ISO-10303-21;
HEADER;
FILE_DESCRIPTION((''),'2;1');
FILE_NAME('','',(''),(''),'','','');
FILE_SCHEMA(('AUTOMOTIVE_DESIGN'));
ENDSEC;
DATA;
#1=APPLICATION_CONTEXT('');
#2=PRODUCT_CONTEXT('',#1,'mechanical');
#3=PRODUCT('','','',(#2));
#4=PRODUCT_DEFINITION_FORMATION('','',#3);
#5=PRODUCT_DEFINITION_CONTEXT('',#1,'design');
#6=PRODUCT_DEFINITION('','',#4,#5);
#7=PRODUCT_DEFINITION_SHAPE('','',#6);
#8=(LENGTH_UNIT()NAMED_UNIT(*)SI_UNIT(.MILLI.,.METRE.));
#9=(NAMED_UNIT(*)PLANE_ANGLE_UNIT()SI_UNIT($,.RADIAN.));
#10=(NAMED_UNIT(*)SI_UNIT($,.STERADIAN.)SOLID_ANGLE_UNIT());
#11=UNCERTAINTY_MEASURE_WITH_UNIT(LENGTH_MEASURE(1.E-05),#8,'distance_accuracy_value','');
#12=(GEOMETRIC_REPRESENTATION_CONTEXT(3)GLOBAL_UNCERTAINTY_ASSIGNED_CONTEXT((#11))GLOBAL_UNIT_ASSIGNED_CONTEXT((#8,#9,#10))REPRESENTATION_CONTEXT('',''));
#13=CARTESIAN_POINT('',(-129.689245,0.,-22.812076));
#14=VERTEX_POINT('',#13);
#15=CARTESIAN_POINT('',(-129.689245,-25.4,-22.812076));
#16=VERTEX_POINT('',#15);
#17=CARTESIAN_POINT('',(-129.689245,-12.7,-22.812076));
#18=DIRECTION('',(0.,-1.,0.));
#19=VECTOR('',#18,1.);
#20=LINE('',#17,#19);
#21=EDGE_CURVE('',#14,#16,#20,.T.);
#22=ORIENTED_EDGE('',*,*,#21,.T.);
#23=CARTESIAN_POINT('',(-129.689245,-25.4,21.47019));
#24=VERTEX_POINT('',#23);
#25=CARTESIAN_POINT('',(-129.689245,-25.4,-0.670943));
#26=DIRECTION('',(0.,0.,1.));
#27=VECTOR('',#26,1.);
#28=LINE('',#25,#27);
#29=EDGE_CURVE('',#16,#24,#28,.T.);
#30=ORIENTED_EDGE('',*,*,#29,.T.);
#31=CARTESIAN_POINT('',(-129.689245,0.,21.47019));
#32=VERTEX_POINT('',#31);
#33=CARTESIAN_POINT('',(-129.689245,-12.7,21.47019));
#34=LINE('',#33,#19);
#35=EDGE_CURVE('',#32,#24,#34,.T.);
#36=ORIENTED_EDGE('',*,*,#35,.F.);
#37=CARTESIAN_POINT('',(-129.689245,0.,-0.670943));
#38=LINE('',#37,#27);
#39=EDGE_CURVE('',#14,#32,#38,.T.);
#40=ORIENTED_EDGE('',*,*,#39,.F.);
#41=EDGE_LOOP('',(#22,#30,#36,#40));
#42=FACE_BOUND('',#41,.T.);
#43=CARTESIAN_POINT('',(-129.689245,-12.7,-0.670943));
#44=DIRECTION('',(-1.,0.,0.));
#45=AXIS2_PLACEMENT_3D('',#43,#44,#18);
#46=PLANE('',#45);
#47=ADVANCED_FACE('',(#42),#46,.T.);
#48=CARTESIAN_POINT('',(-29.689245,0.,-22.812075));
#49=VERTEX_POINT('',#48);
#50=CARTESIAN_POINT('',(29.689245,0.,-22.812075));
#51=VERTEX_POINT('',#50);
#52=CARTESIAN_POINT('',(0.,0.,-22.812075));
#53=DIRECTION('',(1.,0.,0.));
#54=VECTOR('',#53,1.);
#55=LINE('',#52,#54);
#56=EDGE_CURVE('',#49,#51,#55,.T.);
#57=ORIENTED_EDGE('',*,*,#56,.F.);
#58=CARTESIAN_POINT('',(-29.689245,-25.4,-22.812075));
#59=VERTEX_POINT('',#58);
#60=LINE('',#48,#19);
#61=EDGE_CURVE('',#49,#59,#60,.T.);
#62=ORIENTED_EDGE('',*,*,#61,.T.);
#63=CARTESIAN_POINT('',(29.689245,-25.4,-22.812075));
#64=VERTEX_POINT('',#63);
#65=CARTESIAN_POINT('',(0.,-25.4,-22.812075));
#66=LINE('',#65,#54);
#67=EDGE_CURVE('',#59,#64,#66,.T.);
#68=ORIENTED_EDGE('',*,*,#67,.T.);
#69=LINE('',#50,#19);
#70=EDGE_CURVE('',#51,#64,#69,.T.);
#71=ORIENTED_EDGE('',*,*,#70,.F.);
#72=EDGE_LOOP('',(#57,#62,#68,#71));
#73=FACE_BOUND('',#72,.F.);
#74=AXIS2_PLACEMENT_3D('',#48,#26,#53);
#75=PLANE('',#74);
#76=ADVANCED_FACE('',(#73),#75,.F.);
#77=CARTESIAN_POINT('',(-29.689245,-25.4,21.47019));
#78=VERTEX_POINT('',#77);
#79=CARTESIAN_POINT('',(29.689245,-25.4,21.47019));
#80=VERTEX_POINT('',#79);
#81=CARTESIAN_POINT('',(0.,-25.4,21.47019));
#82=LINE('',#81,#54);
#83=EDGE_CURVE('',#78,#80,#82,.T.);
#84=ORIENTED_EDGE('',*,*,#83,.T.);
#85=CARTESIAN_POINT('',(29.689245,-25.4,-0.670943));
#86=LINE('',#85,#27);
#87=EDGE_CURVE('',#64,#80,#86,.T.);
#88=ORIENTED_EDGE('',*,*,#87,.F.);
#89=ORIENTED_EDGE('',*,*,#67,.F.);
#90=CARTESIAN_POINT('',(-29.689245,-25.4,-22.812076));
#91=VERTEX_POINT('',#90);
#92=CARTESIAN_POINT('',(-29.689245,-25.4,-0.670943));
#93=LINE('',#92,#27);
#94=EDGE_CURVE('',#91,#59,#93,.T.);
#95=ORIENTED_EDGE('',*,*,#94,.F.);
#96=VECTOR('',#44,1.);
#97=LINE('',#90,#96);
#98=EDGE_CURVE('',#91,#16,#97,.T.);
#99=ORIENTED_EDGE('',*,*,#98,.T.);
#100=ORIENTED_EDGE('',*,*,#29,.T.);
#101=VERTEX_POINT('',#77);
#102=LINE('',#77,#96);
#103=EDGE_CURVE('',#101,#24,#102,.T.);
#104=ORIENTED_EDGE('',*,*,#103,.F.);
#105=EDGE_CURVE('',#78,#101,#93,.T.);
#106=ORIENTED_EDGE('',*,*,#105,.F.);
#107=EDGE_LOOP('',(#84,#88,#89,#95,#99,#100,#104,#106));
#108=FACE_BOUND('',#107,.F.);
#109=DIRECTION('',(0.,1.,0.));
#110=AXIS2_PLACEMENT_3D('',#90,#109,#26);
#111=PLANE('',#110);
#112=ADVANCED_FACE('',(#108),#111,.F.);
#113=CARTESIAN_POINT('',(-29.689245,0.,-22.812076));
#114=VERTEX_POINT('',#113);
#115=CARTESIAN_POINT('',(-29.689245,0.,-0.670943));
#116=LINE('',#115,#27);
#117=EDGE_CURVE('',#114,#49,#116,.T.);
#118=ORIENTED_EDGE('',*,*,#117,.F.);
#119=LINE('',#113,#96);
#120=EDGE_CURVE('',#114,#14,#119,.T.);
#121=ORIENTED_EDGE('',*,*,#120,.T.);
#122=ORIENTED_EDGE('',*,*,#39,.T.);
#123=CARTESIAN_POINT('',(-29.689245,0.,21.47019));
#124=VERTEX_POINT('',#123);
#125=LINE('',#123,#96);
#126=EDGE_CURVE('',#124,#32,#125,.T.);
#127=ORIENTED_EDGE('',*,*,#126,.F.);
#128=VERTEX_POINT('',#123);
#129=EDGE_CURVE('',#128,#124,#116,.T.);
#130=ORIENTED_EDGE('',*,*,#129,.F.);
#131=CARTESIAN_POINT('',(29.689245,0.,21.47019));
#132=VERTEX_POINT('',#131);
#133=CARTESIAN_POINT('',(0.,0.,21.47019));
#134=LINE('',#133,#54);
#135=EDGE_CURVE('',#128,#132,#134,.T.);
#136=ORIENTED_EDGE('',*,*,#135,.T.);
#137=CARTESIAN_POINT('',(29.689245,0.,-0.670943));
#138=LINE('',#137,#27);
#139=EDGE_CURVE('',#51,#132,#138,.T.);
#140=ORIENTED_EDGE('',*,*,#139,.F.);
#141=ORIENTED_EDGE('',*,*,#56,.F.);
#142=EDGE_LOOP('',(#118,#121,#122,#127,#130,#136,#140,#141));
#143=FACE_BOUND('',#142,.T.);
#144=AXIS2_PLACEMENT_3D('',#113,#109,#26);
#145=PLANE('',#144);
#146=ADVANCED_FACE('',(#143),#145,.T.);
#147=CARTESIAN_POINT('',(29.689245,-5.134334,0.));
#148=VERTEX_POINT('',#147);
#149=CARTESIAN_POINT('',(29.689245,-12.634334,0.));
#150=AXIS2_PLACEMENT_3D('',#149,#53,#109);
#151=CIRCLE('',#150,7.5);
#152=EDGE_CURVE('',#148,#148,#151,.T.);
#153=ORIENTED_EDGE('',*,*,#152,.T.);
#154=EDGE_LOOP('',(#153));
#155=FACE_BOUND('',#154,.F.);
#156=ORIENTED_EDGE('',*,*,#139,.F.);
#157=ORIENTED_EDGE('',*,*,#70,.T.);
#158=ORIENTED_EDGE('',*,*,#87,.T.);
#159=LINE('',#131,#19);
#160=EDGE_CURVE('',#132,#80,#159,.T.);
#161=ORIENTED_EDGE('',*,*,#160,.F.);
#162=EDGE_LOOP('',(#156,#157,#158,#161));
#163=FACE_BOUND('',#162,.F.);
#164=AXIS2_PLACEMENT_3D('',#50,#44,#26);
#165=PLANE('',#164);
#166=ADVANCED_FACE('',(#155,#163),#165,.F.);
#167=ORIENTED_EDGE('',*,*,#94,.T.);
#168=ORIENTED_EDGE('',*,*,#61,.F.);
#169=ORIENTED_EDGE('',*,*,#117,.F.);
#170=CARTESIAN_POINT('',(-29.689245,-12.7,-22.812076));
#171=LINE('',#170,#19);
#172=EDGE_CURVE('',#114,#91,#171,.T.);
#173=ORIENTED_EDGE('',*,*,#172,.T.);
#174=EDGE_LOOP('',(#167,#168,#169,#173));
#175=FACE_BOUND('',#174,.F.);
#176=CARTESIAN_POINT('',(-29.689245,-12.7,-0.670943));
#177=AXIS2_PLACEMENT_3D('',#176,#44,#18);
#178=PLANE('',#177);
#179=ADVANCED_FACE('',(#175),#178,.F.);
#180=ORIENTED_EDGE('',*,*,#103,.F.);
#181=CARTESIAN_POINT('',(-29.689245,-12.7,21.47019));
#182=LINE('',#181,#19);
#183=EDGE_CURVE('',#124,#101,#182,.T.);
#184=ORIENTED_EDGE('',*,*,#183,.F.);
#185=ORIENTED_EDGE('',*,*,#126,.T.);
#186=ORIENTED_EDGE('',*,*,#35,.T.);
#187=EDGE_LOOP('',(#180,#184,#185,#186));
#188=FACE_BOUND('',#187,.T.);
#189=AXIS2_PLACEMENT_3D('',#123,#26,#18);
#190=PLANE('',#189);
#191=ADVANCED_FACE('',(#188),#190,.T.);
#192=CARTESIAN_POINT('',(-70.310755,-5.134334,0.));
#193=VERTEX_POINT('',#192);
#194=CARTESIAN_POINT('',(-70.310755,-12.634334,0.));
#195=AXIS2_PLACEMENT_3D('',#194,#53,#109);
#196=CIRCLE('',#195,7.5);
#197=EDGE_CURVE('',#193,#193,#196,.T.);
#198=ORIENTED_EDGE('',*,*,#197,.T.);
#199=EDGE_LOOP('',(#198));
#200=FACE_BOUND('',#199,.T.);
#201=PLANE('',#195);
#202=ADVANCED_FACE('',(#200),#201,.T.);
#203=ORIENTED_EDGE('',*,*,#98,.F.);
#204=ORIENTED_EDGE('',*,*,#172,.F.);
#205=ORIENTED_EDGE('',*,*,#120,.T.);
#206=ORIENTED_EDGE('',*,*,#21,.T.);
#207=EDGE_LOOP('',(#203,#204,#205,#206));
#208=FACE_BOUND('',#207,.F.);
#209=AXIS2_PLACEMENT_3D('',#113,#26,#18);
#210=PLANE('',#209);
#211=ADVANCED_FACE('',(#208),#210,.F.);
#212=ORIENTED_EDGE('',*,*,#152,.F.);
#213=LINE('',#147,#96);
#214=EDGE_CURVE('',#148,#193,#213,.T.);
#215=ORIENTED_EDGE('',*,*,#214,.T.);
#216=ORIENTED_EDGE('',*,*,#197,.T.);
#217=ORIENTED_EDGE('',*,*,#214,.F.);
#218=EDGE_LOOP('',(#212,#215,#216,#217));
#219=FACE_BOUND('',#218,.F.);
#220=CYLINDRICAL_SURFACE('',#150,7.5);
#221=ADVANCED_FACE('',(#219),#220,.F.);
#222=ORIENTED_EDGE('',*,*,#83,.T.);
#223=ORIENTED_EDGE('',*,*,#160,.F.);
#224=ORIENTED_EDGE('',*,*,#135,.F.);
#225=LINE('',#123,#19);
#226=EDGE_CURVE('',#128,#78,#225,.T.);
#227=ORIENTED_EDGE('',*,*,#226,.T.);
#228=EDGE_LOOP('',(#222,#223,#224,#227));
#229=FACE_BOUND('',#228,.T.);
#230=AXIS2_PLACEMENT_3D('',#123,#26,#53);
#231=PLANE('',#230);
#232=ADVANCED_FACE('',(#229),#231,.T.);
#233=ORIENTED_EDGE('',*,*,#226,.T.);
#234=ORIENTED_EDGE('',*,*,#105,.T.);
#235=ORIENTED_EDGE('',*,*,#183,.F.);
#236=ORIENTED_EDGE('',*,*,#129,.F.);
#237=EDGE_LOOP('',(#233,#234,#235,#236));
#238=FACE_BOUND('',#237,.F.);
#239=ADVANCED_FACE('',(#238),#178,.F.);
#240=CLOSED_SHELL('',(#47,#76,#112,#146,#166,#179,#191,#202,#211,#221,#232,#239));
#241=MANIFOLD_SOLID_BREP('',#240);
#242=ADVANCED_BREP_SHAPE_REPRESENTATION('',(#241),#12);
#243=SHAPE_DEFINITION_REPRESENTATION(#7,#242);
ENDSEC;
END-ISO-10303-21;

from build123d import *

# Parameters (mm, degrees)
F0_W      = 59.37849
F0_H      = 44.282265
F1_DEPTH  = 25.4
F1_FACE_W = 25.4
F1_FACE_H = 44.282266
F2_DEPTH  = 100
F3_R      = 7.5
F4_DEPTH  = 100


with BuildPart() as f1:
    # F0 (on Front) → F1 (new body)
    with BuildSketch(Plane.XZ):
        with Locations((0, -0.670943)):
            Rectangle(F0_W, F0_H)
    extrude(amount=F1_DEPTH)

    # F1_face (on face) → F2 (join)
    with BuildSketch(Plane(origin=(-29.689245, -12.7, -0.670943), x_dir=(0, -1, 0), z_dir=(-1, 0, 0))):
        Rectangle(F1_FACE_W, F1_FACE_H)
    extrude(amount=F2_DEPTH)

    # F3 (on face) → F4 (cut)
    with BuildSketch(Plane.YZ.offset(29.689245)):
        with Locations((-12.634334, 0)):
            Circle(F3_R)
    extrude(amount=-F4_DEPTH, mode=Mode.SUBTRACT)


solid = f1.part
